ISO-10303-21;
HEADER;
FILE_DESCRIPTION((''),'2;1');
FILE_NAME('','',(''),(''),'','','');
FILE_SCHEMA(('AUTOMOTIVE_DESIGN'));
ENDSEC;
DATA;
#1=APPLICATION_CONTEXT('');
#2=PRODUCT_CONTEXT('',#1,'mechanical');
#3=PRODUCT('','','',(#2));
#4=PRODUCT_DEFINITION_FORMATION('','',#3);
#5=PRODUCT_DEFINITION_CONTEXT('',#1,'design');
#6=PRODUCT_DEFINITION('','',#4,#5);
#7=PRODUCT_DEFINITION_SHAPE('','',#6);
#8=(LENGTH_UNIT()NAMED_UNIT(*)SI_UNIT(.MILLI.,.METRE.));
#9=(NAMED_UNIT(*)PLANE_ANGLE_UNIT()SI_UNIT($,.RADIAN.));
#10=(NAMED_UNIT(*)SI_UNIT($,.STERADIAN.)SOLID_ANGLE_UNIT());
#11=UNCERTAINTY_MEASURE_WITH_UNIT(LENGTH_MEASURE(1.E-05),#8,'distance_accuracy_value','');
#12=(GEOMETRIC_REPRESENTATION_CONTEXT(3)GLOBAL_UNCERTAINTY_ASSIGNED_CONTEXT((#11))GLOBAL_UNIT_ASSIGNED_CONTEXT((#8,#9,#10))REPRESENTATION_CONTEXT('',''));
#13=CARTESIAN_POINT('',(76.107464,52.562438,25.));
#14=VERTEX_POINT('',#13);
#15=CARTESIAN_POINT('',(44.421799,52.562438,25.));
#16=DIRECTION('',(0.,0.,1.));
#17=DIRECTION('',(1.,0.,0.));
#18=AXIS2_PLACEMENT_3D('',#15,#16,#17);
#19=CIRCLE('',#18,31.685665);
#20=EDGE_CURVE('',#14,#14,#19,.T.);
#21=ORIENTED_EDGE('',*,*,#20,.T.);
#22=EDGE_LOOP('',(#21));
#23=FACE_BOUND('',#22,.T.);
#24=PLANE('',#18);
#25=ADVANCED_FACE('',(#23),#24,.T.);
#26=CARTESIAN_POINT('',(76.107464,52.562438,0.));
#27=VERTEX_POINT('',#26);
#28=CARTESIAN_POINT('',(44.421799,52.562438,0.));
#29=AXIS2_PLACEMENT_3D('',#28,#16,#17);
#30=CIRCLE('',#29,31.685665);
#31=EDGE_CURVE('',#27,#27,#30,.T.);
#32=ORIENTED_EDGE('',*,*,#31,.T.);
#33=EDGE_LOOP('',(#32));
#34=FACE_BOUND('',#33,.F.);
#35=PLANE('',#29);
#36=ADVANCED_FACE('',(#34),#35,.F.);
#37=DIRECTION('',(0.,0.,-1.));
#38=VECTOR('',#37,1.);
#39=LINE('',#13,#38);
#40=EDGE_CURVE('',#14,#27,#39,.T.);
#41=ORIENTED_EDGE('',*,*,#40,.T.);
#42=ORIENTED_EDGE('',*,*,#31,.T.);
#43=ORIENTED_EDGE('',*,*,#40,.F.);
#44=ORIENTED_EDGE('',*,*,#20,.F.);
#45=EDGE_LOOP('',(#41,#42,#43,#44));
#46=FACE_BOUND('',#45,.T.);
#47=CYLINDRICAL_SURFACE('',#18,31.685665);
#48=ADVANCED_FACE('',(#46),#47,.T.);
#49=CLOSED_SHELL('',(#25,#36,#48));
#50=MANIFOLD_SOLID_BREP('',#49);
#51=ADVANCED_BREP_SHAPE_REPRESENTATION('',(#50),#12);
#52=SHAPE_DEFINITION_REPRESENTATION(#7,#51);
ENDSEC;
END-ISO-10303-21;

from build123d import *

# Parameters (mm, degrees)
F0_W     = 89.004051
F0_H     = 100
F1_DEPTH = 25
F2_R     = 31.685665
F3_DEPTH = 25


with BuildPart() as f1:
    # F0 (on Top) → F1 (new body)
    with BuildSketch(Plane.XY):
        with Locations((44.502025, 50)):
            Rectangle(F0_W, F0_H)
    extrude(amount=F1_DEPTH)

    # F2 (on face) → F3 (intersect)
    with BuildSketch(Plane.XY.offset(25)):
        with Locations((44.421799, 52.562438)):
            Circle(F2_R)
    extrude(amount=-F3_DEPTH, mode=Mode.INTERSECT)


solid = f1.part
